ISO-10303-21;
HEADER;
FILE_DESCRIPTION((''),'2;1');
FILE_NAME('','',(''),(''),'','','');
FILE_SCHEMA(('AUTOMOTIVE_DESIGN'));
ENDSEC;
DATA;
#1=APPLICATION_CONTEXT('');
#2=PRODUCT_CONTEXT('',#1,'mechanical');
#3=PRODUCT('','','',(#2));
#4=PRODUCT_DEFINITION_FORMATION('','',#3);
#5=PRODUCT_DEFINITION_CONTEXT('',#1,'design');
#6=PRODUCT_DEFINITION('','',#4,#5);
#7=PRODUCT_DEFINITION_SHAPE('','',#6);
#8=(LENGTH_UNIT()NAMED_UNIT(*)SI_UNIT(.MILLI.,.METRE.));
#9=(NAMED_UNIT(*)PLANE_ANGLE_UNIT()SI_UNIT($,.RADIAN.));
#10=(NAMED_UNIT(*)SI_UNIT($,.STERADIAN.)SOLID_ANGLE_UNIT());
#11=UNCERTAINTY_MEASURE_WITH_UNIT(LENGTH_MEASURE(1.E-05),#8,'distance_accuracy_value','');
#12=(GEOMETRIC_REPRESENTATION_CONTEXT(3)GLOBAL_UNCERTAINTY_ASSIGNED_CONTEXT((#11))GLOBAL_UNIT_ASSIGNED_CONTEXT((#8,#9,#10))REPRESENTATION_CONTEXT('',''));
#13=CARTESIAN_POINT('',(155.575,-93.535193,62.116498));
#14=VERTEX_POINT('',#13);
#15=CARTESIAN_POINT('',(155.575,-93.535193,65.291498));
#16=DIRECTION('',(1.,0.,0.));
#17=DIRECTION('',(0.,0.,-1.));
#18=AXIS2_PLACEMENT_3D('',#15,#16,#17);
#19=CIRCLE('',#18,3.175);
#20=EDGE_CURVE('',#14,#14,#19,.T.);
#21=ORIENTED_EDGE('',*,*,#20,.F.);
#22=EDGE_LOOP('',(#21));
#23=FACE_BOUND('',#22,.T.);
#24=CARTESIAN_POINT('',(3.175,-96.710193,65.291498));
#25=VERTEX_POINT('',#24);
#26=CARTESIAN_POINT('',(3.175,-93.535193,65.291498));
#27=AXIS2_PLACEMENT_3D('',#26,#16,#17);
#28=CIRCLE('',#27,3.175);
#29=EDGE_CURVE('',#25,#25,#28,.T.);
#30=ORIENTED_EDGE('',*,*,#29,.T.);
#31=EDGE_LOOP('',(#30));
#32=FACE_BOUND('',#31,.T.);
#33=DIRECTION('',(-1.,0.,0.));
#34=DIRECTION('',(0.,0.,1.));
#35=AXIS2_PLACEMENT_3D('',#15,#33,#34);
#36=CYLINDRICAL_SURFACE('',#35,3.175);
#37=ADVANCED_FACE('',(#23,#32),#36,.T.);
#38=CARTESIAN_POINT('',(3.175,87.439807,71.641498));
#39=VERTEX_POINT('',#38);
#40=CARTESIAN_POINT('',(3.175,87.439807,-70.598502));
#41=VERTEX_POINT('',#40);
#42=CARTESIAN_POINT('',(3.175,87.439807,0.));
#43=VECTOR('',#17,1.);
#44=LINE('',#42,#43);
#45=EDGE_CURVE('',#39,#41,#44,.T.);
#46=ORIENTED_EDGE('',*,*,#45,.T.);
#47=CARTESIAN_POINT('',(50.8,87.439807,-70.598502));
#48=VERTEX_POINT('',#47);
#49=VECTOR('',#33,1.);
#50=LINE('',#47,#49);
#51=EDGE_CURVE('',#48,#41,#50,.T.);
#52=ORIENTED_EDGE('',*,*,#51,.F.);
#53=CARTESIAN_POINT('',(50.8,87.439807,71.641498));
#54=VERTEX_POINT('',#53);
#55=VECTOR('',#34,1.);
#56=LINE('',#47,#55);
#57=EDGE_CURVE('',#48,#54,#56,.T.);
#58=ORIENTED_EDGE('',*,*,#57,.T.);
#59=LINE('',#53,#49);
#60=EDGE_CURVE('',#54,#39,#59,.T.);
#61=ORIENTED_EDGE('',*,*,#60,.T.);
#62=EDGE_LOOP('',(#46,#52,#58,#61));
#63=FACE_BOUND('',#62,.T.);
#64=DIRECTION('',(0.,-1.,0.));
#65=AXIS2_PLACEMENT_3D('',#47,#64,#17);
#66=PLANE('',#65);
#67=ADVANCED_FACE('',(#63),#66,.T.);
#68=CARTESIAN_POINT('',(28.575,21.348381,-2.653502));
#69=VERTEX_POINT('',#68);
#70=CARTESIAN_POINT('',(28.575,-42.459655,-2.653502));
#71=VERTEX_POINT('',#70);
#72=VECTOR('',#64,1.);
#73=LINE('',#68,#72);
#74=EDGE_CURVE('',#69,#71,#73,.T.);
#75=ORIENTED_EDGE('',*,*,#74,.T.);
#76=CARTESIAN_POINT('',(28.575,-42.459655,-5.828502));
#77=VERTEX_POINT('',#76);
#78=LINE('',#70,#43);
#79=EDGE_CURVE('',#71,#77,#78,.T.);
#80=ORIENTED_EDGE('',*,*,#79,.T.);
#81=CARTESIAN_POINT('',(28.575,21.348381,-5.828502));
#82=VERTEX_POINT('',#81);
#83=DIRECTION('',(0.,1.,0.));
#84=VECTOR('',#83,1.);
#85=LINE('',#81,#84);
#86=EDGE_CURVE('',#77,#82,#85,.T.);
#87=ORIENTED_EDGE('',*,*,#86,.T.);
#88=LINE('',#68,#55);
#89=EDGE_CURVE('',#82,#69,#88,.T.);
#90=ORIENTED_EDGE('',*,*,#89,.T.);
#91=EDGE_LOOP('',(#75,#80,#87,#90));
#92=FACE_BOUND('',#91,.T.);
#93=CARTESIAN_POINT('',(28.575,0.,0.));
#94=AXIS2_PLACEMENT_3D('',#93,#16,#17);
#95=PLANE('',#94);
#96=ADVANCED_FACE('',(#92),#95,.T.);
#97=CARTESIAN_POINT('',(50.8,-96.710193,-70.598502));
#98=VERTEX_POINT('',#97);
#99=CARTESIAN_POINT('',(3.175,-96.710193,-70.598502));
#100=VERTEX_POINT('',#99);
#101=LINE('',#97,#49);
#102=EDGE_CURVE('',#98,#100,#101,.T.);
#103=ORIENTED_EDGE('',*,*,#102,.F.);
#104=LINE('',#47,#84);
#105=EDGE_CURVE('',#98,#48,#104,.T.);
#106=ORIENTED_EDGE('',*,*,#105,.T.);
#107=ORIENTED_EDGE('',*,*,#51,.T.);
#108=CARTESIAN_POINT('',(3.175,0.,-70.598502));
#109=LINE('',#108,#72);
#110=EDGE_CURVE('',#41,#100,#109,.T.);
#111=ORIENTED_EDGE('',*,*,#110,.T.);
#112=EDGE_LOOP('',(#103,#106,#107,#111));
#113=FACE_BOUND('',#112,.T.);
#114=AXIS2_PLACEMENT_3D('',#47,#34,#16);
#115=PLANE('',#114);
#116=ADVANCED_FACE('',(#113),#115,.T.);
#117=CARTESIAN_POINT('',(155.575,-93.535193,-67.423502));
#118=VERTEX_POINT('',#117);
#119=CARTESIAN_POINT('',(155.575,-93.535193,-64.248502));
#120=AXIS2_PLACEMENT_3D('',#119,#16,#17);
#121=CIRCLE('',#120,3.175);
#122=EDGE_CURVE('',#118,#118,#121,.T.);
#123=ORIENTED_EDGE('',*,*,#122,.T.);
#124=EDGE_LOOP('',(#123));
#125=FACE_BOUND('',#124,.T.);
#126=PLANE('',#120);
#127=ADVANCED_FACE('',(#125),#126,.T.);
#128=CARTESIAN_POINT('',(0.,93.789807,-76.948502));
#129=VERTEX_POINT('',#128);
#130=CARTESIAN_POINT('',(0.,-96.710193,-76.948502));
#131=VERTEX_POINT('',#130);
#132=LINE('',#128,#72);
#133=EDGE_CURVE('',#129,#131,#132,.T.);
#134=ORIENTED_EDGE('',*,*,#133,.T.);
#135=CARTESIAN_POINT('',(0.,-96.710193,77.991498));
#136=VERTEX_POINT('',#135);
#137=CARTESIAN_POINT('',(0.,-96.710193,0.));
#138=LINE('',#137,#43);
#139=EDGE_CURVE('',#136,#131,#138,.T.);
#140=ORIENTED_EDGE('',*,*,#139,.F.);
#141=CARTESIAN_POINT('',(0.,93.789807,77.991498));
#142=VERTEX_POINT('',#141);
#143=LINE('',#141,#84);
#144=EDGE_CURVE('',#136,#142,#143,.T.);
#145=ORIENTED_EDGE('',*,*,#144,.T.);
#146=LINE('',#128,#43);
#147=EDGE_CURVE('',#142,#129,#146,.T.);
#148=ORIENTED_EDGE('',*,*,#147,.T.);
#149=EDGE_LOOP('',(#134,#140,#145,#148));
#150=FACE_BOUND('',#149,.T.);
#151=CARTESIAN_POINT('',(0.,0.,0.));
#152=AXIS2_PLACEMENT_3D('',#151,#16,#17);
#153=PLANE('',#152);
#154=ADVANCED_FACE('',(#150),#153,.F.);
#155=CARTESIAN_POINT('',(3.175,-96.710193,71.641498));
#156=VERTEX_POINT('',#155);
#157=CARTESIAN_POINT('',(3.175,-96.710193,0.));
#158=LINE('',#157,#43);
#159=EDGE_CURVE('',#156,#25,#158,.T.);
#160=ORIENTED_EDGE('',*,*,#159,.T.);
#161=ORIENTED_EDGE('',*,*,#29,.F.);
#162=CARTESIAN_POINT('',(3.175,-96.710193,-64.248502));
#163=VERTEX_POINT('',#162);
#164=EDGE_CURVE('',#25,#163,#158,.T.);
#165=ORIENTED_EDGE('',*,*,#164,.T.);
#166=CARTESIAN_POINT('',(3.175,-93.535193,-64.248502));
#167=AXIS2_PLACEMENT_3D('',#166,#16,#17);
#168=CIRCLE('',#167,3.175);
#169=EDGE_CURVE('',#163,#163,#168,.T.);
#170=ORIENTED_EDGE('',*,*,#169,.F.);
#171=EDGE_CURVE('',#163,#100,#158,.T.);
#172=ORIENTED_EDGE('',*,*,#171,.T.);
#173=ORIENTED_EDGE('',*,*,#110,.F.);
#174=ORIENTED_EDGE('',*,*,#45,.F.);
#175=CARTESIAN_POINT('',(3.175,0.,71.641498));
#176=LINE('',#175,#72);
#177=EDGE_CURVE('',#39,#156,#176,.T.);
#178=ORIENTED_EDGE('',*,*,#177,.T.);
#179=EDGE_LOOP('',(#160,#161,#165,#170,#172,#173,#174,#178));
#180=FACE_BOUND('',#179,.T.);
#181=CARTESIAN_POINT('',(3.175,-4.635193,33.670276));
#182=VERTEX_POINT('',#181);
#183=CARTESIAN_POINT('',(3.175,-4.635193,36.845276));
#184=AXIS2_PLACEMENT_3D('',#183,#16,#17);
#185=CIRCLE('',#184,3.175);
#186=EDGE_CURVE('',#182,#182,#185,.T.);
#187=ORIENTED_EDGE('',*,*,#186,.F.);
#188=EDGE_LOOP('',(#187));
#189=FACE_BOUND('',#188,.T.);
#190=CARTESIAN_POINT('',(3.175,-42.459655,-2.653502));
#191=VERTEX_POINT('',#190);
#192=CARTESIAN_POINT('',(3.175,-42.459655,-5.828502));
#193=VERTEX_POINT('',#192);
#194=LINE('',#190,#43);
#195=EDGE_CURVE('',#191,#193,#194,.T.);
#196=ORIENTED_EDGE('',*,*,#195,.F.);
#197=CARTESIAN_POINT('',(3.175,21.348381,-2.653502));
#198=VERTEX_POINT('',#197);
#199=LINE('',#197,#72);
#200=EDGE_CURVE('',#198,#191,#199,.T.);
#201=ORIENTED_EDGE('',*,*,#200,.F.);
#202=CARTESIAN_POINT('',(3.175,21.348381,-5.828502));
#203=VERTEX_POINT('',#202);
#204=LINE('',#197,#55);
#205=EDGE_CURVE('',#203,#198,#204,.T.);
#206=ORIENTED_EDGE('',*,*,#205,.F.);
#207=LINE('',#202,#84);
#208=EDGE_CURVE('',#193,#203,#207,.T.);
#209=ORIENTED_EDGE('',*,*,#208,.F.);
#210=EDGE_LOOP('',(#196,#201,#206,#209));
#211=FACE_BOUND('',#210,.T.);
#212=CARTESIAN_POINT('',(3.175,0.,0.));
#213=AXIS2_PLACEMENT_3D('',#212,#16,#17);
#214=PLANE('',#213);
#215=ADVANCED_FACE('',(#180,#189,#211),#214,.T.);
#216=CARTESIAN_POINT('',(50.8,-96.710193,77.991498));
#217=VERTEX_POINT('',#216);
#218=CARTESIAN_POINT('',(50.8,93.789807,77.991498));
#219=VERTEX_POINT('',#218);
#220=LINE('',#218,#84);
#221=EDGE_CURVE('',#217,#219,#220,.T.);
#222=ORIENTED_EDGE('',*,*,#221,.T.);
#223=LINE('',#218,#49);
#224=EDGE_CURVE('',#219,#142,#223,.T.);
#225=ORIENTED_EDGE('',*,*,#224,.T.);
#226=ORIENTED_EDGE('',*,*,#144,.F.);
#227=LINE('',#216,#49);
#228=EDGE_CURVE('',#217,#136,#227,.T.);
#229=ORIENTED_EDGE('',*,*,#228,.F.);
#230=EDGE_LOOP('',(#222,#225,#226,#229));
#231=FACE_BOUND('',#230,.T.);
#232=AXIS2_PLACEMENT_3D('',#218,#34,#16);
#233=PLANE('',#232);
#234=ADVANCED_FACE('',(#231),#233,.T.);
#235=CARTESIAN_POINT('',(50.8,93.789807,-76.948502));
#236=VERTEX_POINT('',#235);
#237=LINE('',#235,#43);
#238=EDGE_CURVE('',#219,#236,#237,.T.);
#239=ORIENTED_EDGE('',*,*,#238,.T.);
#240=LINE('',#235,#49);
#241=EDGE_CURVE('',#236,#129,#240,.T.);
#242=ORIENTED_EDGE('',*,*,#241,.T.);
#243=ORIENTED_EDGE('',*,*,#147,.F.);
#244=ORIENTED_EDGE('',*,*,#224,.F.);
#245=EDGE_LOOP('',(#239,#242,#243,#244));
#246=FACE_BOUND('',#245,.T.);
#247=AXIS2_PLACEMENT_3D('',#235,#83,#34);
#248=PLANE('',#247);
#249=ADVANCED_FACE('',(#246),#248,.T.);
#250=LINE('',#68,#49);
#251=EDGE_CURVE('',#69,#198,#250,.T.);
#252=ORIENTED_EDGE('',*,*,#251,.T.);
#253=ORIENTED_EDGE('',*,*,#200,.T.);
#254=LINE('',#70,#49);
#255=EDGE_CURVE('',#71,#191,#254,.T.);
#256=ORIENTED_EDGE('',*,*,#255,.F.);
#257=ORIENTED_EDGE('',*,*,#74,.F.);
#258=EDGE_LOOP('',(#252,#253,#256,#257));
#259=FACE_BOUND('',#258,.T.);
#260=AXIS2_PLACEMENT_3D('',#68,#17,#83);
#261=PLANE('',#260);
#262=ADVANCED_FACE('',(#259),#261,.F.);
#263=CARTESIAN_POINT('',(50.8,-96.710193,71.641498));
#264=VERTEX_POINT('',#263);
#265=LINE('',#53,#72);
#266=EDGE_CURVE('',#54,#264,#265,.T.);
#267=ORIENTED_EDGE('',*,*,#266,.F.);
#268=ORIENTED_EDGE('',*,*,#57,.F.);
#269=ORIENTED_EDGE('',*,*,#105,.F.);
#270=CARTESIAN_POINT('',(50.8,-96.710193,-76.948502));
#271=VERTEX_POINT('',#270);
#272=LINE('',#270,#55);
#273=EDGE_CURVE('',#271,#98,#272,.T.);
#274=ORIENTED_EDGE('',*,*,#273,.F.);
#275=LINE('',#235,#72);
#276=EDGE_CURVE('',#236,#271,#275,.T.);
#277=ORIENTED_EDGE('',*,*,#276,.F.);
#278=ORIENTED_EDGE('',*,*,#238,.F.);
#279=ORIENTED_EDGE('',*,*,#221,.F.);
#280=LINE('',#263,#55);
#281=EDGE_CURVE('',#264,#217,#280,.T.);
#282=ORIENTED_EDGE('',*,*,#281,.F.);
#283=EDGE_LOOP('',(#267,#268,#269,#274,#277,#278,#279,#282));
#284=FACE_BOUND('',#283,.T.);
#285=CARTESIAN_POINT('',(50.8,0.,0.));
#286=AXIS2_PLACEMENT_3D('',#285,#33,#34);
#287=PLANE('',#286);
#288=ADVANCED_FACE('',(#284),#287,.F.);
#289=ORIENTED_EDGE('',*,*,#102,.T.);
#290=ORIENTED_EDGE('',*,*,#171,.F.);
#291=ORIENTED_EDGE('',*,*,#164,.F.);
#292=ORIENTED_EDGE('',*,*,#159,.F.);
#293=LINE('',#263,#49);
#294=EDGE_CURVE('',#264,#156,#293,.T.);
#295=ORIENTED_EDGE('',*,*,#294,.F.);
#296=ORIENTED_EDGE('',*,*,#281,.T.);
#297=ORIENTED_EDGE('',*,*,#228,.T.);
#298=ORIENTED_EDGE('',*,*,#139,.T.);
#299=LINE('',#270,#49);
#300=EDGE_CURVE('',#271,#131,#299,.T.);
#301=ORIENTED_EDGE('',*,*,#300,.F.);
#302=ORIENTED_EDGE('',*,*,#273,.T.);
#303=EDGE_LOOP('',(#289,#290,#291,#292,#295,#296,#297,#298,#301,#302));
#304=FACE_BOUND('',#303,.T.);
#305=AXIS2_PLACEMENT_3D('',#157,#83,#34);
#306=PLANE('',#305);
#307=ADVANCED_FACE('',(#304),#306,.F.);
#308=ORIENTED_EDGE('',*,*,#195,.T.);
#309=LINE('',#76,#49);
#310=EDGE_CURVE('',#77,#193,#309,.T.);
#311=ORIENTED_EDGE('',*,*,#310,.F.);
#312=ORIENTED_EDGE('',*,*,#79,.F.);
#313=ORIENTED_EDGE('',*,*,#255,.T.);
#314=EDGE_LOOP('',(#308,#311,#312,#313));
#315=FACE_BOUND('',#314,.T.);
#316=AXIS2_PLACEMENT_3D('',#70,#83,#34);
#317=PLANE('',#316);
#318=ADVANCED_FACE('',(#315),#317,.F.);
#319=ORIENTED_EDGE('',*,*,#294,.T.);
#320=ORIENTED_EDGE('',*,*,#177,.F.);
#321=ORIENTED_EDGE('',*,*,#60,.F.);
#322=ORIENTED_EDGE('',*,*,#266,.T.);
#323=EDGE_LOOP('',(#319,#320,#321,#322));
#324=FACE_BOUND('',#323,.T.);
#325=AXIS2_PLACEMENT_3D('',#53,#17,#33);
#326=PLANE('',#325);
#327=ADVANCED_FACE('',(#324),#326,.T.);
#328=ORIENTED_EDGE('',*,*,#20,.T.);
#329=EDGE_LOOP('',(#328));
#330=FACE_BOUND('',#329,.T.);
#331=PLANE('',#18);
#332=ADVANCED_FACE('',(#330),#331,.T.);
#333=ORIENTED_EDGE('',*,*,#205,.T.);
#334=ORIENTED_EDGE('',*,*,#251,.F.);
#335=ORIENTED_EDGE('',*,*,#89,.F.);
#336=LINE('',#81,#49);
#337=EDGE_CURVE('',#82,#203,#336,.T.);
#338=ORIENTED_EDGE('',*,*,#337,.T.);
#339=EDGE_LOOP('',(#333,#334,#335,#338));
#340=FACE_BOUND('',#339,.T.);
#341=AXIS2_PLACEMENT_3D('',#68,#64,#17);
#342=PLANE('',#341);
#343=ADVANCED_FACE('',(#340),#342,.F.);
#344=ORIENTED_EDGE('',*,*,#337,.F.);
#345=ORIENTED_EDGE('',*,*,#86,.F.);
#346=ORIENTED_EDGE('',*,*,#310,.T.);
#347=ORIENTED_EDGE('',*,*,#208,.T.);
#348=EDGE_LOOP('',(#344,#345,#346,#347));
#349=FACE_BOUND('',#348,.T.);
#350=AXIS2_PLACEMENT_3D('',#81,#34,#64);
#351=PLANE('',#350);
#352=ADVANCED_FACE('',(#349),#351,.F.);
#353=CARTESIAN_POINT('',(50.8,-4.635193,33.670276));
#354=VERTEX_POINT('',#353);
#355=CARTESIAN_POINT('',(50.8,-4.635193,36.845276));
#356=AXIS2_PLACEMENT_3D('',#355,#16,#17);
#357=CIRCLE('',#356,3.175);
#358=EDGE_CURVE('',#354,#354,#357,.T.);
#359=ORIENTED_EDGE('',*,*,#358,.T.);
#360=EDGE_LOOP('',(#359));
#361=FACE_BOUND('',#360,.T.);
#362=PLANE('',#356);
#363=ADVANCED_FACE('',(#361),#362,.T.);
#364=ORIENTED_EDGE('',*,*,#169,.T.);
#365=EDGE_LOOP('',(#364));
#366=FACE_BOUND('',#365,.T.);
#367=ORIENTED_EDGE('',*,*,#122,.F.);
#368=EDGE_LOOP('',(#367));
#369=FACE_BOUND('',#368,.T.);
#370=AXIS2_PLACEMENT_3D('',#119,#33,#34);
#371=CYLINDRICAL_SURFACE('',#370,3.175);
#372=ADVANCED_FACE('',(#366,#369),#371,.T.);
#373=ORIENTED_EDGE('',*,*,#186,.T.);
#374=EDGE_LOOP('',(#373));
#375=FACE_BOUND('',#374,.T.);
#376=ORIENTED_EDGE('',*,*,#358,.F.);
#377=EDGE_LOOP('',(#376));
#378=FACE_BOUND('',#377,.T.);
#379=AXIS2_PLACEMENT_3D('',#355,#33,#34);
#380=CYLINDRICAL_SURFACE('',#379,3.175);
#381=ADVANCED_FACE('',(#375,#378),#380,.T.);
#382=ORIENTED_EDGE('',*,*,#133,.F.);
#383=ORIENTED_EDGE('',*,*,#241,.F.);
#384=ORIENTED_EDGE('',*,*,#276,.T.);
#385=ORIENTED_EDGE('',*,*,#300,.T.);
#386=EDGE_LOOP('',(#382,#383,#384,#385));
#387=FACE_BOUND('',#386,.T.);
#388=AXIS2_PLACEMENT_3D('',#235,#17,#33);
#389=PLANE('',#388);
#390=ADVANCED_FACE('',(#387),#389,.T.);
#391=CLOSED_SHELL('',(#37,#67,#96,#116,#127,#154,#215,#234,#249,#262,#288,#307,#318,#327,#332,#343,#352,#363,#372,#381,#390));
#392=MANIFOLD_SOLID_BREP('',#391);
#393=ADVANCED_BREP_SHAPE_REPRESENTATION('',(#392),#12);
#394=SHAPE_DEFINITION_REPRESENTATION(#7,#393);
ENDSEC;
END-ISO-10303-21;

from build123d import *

# Parameters (mm, degrees)
SKETCH1_W           = 142.24
SKETCH1_H           = 184.15
BOSS_EXTRUDE1_DEPTH = 3.175
BOSS_EXTRUDE2_DEPTH = 50.8
SKETCH3_R           = 3.175
BOSS_EXTRUDE3_DEPTH = 152.4
SKETCH4_R           = 3.175
BOSS_EXTRUDE5_DEPTH = 47.625
SKETCH5_W           = 3.175
SKETCH5_H           = 63.808036069
BOSS_EXTRUDE6_DEPTH = 25.4


with BuildPart() as part:
    # Sketch1 → Boss-Extrude1 (new body)
    with BuildSketch(Plane(origin=(0, 0, 0), x_dir=(0, 0, -1), z_dir=(1, 0, 0))):
        with Locations((-0.521497585, -4.635193237)):
            Rectangle(SKETCH1_W, SKETCH1_H)
    extrude(amount=BOSS_EXTRUDE1_DEPTH)

    # Sketch2 → Boss-Extrude2 (add)
    with BuildSketch(Plane.ZY):
        Polygon((71.641497585, -96.710193237), (77.991497585, -96.710193237), (77.991497585, 93.789806763), (-76.948502415, 93.789806763), (-76.948502415, -96.710193237), (-70.598502415, -96.710193237), (-70.598502415, 87.439806763), (71.641497585, 87.439806763), align=None)
    extrude(amount=-BOSS_EXTRUDE2_DEPTH)

    # Sketch3 → Boss-Extrude3 (add)
    with BuildSketch(Plane(origin=(3.175, 0, 0), x_dir=(0, 0, -1), z_dir=(1, 0, 0))):
        with Locations(Location((-65.291497585, -93.535193237, 0), (0, 0, 270))):
            Circle(SKETCH3_R)
        with Locations(Location((64.248502415, -93.535193237, 0), (0, 0, 270))):
            Circle(SKETCH3_R)
    extrude(amount=BOSS_EXTRUDE3_DEPTH)

    # Sketch4 → Boss-Extrude5 (add)
    with BuildSketch(Plane(origin=(3.175, 0, 0), x_dir=(0, 0, -1), z_dir=(1, 0, 0))):
        with Locations((-36.845275585, -4.635193237)):
            Circle(SKETCH4_R)
    extrude(amount=BOSS_EXTRUDE5_DEPTH)

    # Sketch5 → Boss-Extrude6 (add)
    with BuildSketch(Plane(origin=(3.175, 0, 0), x_dir=(0, 0, -1), z_dir=(1, 0, 0))):
        with Locations((4.241002415, -10.555636975)):
            Rectangle(SKETCH5_W, SKETCH5_H)
    extrude(amount=BOSS_EXTRUDE6_DEPTH)


solid = part.part
